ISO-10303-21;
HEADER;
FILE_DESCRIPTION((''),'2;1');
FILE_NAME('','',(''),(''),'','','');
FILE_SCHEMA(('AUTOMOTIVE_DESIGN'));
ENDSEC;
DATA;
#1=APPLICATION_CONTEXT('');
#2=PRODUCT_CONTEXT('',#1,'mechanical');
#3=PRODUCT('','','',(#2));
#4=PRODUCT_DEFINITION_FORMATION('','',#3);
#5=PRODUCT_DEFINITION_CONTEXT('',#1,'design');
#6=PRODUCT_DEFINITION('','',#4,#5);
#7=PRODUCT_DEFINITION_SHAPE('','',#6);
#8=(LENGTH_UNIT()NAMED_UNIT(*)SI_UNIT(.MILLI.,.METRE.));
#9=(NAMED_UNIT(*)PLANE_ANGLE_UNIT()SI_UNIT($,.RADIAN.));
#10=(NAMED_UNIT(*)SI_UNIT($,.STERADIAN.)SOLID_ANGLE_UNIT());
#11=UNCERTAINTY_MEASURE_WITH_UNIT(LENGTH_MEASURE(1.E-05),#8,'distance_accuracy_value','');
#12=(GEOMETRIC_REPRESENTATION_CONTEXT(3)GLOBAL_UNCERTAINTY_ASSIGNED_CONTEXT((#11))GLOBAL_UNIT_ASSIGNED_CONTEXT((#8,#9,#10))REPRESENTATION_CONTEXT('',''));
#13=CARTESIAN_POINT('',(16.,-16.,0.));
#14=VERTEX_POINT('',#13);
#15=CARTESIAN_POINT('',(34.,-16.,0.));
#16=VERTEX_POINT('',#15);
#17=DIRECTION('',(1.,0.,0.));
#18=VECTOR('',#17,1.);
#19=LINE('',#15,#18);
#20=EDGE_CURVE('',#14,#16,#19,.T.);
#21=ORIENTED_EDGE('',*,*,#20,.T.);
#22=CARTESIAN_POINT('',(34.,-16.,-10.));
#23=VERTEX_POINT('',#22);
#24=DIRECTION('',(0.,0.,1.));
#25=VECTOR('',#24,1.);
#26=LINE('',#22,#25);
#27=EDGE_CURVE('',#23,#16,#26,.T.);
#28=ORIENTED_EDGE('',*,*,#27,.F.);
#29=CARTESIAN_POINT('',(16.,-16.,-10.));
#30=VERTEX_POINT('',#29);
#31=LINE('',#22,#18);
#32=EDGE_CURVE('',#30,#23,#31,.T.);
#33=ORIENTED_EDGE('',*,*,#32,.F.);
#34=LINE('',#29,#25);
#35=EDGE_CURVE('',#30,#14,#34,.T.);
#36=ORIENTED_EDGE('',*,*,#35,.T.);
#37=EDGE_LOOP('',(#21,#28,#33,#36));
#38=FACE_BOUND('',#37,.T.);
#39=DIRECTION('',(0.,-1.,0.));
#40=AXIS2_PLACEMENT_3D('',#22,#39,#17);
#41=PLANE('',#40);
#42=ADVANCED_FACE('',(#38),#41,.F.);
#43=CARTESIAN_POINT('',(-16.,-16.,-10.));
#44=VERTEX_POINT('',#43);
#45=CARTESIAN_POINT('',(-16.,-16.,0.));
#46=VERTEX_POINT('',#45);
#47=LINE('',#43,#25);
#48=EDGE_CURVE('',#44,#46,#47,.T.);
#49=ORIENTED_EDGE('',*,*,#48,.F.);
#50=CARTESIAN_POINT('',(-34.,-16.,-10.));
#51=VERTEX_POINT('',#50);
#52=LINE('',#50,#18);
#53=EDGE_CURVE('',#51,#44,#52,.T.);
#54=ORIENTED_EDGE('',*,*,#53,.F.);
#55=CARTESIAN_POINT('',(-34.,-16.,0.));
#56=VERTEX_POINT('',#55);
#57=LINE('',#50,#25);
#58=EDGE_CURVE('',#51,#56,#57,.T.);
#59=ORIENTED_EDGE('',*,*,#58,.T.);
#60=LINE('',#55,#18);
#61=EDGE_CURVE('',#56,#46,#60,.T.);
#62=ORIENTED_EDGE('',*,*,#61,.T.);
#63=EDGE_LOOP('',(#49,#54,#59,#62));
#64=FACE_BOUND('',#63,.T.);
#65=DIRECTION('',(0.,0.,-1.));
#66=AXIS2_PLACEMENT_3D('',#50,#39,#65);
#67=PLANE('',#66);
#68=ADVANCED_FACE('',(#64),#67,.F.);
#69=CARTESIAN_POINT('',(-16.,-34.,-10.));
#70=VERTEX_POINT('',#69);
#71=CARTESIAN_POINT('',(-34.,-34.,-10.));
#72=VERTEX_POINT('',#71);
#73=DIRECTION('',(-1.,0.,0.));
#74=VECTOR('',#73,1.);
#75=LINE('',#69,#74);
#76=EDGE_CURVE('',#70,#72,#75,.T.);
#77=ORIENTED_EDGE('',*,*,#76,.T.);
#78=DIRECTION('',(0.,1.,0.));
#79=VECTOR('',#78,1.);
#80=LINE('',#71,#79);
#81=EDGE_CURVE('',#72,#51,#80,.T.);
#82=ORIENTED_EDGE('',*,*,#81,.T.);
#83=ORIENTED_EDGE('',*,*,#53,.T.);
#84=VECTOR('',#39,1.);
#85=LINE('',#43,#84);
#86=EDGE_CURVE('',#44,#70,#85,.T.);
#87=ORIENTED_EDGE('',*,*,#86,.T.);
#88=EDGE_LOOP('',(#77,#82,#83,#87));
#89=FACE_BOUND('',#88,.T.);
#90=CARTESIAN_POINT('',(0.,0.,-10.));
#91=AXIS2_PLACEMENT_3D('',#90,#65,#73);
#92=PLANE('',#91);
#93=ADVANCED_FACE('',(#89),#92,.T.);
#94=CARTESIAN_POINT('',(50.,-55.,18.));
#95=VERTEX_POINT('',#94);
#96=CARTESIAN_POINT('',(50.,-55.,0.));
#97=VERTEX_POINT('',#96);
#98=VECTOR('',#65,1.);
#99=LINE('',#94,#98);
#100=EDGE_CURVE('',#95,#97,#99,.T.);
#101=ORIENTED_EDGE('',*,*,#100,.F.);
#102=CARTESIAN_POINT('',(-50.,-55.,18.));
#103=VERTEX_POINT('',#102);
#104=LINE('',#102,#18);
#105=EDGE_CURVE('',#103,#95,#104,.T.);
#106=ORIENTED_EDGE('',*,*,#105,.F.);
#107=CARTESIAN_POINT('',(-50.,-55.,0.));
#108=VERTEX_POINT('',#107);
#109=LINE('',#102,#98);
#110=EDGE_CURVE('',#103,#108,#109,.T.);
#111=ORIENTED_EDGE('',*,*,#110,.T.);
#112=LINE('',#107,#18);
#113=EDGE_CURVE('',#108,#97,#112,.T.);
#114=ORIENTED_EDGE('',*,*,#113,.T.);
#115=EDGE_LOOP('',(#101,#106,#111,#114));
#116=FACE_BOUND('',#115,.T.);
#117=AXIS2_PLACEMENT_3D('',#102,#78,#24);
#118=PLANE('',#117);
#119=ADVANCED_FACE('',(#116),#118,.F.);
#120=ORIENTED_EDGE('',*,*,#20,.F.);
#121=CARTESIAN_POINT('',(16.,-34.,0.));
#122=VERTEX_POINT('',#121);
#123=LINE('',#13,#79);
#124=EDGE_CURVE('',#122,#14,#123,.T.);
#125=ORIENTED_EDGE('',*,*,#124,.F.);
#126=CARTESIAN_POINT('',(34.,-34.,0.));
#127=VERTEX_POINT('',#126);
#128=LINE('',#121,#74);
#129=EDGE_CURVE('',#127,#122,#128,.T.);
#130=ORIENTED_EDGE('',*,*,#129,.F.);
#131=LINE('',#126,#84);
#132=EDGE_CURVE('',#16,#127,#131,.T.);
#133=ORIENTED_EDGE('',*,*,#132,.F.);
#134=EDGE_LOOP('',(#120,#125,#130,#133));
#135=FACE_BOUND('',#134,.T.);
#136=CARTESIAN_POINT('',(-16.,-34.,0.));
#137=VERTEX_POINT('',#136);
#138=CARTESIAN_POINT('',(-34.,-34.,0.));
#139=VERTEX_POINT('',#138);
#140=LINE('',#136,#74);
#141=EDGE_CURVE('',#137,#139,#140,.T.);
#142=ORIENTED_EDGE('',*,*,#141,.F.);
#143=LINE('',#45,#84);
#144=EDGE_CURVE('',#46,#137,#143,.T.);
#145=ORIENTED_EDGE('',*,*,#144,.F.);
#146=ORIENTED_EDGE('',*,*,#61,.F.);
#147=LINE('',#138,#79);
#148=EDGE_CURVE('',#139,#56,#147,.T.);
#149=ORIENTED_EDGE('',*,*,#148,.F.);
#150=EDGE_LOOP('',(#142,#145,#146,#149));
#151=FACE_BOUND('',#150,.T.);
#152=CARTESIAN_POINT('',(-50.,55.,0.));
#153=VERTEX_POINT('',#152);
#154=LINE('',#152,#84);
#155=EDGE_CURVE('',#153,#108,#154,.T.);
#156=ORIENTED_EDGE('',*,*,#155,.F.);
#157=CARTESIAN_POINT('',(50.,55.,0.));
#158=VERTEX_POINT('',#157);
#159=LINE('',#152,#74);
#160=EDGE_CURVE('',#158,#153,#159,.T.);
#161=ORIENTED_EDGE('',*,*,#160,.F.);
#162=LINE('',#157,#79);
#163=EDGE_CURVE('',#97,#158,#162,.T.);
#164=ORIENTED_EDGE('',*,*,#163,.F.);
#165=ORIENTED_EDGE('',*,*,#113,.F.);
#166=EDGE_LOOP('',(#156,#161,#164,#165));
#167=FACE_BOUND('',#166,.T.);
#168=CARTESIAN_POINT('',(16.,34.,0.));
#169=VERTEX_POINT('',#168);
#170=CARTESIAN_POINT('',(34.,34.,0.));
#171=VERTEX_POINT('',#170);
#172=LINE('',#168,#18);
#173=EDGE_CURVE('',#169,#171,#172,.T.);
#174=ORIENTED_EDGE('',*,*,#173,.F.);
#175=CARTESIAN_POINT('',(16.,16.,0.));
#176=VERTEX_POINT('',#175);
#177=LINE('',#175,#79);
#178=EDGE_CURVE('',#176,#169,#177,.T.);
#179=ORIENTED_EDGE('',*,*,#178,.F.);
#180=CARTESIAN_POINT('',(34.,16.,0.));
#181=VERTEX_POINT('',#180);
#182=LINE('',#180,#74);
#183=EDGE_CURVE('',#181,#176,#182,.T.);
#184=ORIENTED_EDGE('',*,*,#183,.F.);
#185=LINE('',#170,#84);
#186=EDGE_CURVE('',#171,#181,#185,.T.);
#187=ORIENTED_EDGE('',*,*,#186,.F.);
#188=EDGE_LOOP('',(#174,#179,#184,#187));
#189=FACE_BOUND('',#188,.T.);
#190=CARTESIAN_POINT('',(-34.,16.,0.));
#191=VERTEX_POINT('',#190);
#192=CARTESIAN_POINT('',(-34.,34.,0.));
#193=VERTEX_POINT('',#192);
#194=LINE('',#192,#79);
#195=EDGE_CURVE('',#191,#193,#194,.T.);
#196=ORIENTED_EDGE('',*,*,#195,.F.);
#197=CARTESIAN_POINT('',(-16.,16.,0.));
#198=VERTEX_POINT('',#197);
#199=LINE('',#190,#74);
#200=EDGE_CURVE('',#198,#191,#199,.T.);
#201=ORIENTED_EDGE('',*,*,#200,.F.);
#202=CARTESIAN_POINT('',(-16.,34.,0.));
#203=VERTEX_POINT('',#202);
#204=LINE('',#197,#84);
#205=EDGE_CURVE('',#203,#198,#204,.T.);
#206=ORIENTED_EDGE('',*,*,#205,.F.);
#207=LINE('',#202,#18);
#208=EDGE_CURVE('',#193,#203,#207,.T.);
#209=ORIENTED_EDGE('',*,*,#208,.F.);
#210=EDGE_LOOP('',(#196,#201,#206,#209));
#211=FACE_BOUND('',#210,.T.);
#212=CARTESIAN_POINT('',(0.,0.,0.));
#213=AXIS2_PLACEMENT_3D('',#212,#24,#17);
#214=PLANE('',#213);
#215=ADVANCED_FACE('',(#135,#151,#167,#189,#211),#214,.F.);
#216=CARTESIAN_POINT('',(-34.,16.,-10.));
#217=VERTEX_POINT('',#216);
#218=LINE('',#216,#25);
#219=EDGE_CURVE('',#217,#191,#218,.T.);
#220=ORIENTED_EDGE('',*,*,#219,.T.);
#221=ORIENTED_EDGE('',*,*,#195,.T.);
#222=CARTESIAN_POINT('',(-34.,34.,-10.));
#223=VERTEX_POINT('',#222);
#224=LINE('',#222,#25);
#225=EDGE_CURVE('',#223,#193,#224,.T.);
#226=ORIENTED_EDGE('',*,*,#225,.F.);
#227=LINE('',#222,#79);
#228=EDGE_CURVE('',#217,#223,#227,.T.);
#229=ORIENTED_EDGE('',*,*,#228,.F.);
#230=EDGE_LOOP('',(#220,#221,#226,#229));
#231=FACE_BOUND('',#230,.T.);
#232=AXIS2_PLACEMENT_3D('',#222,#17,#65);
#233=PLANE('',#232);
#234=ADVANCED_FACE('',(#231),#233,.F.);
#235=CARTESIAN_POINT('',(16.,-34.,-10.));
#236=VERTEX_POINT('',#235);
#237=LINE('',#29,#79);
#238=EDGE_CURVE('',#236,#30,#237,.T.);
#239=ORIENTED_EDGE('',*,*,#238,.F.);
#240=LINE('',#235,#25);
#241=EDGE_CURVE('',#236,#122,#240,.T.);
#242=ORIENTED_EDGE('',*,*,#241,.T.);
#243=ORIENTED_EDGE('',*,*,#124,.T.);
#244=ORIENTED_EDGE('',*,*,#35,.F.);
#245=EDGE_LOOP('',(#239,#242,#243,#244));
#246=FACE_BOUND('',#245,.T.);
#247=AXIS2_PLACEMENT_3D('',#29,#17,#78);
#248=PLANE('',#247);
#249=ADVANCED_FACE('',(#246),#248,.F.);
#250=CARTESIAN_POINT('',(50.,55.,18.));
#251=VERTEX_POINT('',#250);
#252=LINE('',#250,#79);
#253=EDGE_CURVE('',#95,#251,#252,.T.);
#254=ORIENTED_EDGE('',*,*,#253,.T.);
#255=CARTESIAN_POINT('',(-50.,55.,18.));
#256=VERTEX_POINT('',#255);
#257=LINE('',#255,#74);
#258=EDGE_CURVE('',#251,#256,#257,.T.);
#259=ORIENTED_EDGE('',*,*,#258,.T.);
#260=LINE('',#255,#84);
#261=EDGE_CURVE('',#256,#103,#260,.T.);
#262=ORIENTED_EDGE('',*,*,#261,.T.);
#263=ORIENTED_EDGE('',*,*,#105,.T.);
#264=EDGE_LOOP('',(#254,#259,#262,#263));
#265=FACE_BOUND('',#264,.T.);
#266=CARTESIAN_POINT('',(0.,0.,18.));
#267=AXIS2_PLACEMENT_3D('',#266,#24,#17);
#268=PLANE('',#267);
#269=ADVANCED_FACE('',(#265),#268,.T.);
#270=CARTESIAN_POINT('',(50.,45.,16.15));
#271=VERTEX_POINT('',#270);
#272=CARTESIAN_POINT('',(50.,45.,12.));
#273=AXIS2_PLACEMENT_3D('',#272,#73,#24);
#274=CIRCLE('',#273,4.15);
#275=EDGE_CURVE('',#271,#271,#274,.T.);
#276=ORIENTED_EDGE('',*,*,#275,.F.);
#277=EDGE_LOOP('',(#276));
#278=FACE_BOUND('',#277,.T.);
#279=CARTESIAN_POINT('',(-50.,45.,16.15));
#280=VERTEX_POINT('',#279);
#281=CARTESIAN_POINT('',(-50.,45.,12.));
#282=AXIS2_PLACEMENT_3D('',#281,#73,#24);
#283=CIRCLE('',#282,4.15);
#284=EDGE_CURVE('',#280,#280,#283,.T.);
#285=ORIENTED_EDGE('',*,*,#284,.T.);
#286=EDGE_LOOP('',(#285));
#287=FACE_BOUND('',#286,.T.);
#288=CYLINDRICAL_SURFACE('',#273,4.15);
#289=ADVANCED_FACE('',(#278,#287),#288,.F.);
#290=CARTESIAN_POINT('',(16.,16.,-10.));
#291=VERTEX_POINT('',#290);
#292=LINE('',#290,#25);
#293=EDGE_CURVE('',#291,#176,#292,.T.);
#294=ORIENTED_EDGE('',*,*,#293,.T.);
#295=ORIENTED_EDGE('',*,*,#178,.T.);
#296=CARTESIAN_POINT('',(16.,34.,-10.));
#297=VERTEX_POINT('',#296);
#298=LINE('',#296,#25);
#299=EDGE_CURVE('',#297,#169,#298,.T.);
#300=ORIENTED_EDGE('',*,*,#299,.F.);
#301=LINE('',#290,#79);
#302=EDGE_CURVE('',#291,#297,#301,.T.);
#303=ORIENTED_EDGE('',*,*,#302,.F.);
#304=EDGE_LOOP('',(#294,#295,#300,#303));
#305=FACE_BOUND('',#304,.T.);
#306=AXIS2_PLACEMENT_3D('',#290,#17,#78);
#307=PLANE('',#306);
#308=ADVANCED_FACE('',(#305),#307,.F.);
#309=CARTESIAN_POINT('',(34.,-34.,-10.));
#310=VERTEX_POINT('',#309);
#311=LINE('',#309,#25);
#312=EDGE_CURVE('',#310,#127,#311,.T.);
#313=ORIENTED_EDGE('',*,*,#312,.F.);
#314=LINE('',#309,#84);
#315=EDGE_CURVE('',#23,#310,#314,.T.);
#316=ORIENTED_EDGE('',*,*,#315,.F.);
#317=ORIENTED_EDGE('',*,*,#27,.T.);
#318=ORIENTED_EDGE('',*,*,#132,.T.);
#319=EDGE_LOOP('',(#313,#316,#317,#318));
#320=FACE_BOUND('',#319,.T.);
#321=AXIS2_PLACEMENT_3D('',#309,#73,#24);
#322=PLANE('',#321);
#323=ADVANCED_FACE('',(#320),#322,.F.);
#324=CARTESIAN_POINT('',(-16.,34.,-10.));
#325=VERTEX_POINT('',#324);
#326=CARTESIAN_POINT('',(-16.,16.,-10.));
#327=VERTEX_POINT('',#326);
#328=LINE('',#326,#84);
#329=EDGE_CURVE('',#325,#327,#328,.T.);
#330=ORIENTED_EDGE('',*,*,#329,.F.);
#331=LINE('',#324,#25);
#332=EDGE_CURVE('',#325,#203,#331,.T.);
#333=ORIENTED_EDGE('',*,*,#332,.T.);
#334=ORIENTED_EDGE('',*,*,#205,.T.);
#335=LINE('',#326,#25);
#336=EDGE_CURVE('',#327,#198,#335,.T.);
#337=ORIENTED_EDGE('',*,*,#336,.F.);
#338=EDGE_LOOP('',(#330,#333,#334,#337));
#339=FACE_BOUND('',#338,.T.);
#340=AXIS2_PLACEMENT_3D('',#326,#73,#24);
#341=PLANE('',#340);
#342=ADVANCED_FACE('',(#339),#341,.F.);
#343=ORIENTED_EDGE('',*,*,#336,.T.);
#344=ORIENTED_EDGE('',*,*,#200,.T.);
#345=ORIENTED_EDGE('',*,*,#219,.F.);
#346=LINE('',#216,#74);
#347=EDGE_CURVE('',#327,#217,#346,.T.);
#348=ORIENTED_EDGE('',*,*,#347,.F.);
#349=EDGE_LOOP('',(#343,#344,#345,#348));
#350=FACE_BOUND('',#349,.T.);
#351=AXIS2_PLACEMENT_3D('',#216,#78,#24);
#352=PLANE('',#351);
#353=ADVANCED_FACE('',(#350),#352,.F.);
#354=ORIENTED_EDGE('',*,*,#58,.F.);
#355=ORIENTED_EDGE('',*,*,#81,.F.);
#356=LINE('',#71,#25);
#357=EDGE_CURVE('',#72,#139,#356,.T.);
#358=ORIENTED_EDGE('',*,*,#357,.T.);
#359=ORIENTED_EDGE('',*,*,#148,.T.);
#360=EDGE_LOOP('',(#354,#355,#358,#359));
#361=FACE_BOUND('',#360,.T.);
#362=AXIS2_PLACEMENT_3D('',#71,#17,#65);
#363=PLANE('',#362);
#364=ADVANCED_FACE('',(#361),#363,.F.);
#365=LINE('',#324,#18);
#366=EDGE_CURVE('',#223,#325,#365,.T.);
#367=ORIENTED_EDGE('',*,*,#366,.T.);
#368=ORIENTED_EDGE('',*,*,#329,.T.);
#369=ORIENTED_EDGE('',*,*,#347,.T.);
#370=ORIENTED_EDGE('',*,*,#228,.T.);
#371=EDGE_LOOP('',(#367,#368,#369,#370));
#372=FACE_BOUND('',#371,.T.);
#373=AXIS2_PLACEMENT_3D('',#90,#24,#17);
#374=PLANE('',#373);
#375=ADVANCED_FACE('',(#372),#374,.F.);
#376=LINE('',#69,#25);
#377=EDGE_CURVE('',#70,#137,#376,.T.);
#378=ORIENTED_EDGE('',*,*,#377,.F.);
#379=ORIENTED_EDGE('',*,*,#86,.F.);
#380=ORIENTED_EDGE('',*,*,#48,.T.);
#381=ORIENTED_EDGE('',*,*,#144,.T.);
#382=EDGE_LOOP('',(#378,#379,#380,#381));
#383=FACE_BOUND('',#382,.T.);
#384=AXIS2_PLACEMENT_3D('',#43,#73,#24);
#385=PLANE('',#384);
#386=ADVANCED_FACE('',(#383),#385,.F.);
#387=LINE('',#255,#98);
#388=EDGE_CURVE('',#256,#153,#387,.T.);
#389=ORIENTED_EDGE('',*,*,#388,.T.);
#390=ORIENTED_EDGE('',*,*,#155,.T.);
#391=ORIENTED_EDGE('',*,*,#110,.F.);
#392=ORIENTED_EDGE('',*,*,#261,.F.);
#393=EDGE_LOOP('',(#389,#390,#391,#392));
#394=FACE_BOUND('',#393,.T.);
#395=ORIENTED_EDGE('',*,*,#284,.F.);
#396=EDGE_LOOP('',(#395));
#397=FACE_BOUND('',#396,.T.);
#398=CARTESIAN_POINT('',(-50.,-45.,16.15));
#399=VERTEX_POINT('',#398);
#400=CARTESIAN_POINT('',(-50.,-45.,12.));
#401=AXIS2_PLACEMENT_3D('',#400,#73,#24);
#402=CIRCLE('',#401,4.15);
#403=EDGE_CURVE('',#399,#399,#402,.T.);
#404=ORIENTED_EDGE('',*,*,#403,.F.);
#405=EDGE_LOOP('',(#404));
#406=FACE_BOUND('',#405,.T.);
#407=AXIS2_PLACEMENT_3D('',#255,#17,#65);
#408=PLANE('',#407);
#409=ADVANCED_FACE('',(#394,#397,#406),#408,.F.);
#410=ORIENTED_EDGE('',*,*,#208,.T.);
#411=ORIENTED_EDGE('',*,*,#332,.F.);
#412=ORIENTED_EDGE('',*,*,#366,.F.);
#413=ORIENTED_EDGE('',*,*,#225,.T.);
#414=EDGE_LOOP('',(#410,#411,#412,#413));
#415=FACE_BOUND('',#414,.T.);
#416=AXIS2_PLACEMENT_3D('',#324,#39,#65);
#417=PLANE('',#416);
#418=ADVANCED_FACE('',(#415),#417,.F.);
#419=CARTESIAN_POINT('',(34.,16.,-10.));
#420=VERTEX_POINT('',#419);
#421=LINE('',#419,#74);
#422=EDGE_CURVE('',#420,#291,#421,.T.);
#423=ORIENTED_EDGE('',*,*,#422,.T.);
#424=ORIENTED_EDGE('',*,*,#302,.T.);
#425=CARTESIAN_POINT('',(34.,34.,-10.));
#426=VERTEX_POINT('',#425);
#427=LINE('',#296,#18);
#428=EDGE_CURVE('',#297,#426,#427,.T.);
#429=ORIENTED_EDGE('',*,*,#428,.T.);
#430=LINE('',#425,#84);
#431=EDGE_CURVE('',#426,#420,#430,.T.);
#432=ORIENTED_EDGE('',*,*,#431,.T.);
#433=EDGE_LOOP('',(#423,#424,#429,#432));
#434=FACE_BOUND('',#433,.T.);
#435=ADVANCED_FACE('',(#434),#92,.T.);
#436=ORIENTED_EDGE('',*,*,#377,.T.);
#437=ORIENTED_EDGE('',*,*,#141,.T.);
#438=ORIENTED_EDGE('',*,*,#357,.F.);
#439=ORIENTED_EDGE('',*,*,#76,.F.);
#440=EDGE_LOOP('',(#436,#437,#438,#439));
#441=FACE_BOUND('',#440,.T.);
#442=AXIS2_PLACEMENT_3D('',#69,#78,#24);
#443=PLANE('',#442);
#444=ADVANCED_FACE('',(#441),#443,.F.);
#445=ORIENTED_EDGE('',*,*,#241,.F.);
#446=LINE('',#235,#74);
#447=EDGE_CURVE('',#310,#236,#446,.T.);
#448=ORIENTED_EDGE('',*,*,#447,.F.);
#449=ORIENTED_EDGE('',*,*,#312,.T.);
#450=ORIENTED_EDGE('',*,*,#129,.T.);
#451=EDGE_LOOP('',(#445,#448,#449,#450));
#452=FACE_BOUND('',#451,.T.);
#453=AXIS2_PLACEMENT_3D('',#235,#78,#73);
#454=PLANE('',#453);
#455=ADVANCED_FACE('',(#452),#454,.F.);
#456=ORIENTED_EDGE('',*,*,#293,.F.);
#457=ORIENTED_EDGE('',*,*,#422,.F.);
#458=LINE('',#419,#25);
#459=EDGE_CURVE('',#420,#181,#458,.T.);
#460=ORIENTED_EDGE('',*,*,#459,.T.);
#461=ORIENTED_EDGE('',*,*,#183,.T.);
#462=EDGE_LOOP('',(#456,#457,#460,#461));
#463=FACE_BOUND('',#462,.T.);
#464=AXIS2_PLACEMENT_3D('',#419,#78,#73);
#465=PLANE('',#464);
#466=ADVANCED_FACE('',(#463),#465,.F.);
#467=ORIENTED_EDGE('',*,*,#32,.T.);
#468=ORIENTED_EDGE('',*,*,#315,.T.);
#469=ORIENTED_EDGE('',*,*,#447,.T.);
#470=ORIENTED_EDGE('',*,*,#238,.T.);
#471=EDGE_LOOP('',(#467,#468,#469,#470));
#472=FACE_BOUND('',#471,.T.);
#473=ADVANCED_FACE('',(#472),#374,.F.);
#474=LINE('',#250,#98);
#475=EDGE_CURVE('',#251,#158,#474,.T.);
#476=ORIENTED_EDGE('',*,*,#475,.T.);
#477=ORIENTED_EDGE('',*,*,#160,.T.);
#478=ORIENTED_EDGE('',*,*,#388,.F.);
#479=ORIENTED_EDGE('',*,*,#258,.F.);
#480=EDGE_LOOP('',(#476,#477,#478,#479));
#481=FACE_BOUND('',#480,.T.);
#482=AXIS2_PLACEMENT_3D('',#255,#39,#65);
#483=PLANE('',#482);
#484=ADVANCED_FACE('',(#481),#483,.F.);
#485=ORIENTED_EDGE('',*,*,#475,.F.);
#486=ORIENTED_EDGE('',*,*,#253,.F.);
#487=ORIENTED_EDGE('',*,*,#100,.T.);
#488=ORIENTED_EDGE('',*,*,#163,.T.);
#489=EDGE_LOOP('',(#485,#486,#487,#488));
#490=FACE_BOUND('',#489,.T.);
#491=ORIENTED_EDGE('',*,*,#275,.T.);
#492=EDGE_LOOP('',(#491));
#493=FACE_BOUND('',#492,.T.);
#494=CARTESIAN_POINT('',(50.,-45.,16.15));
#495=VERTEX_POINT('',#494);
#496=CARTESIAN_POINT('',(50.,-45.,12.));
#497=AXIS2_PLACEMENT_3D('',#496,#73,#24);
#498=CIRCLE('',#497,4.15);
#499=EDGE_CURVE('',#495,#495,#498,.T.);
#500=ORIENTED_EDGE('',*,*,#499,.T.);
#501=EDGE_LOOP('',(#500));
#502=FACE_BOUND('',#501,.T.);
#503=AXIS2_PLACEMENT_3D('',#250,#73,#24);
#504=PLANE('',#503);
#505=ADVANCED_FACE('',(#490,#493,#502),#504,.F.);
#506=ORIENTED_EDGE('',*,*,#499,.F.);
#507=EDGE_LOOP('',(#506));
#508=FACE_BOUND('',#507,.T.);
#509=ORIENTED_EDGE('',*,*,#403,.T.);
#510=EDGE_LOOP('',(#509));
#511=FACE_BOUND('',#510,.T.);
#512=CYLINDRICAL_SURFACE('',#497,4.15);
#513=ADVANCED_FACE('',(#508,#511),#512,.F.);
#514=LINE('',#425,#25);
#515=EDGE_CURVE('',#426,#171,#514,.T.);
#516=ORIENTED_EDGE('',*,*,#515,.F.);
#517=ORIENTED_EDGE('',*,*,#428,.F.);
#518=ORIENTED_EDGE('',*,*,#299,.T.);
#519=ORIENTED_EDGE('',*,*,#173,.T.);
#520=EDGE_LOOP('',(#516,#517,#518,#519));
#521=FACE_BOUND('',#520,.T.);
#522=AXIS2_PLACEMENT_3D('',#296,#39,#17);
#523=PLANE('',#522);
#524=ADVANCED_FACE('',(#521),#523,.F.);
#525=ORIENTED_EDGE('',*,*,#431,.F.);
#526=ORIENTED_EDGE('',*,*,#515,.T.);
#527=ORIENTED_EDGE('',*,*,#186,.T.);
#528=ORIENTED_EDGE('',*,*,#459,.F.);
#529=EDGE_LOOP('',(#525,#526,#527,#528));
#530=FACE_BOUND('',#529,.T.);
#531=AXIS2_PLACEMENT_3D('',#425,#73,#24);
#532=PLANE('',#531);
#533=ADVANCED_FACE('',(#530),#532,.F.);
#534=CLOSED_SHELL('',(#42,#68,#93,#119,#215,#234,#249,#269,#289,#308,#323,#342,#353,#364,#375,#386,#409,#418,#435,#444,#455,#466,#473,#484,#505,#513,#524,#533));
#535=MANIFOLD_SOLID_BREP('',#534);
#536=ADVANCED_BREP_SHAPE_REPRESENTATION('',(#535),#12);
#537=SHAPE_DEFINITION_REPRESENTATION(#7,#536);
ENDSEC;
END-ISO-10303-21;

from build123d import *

# Parameters (mm, degrees)
ESBO_O1_W                = 100
ESBO_O1_H                = 110
RESSALTO_EXTRUS_O1_DEPTH = 18
ESBO_O2_W                = 18
ESBO_O2_H                = 18
RESSALTO_EXTRUS_O2_DEPTH = 10
ESBO_O3_R                = 4.15
CORTE_EXTRUS_O1_DEPTH    = 101


with BuildPart() as part:
    # Esboço1 → Ressalto-extrusão1 (new body)
    with BuildSketch(Plane.XY):
        Rectangle(ESBO_O1_W, ESBO_O1_H)
    extrude(amount=RESSALTO_EXTRUS_O1_DEPTH)

    # Esboço2 → Ressalto-extrusão2 (add)
    with BuildSketch(Plane(origin=(0, 0, 0), x_dir=(-1, 0, 0), z_dir=(0, 0, -1))):
        with Locations((-25, -25)):
            Rectangle(ESBO_O2_W, ESBO_O2_H)
        with Locations((25, -25)):
            Rectangle(ESBO_O2_W, ESBO_O2_H)
        with Locations((-25, 25)):
            Rectangle(ESBO_O2_W, ESBO_O2_H)
        with Locations((25, 25)):
            Rectangle(ESBO_O2_W, ESBO_O2_H)
    extrude(amount=RESSALTO_EXTRUS_O2_DEPTH)

    # Esboço3 → Corte-extrusão1 (cut, through all)
    with BuildSketch(Plane.ZY.offset(50)):
        with Locations((12, 45)):
            Circle(ESBO_O3_R)
        with Locations((12, -45)):
            Circle(ESBO_O3_R)
    extrude(amount=-CORTE_EXTRUS_O1_DEPTH, mode=Mode.SUBTRACT)


solid = part.part
